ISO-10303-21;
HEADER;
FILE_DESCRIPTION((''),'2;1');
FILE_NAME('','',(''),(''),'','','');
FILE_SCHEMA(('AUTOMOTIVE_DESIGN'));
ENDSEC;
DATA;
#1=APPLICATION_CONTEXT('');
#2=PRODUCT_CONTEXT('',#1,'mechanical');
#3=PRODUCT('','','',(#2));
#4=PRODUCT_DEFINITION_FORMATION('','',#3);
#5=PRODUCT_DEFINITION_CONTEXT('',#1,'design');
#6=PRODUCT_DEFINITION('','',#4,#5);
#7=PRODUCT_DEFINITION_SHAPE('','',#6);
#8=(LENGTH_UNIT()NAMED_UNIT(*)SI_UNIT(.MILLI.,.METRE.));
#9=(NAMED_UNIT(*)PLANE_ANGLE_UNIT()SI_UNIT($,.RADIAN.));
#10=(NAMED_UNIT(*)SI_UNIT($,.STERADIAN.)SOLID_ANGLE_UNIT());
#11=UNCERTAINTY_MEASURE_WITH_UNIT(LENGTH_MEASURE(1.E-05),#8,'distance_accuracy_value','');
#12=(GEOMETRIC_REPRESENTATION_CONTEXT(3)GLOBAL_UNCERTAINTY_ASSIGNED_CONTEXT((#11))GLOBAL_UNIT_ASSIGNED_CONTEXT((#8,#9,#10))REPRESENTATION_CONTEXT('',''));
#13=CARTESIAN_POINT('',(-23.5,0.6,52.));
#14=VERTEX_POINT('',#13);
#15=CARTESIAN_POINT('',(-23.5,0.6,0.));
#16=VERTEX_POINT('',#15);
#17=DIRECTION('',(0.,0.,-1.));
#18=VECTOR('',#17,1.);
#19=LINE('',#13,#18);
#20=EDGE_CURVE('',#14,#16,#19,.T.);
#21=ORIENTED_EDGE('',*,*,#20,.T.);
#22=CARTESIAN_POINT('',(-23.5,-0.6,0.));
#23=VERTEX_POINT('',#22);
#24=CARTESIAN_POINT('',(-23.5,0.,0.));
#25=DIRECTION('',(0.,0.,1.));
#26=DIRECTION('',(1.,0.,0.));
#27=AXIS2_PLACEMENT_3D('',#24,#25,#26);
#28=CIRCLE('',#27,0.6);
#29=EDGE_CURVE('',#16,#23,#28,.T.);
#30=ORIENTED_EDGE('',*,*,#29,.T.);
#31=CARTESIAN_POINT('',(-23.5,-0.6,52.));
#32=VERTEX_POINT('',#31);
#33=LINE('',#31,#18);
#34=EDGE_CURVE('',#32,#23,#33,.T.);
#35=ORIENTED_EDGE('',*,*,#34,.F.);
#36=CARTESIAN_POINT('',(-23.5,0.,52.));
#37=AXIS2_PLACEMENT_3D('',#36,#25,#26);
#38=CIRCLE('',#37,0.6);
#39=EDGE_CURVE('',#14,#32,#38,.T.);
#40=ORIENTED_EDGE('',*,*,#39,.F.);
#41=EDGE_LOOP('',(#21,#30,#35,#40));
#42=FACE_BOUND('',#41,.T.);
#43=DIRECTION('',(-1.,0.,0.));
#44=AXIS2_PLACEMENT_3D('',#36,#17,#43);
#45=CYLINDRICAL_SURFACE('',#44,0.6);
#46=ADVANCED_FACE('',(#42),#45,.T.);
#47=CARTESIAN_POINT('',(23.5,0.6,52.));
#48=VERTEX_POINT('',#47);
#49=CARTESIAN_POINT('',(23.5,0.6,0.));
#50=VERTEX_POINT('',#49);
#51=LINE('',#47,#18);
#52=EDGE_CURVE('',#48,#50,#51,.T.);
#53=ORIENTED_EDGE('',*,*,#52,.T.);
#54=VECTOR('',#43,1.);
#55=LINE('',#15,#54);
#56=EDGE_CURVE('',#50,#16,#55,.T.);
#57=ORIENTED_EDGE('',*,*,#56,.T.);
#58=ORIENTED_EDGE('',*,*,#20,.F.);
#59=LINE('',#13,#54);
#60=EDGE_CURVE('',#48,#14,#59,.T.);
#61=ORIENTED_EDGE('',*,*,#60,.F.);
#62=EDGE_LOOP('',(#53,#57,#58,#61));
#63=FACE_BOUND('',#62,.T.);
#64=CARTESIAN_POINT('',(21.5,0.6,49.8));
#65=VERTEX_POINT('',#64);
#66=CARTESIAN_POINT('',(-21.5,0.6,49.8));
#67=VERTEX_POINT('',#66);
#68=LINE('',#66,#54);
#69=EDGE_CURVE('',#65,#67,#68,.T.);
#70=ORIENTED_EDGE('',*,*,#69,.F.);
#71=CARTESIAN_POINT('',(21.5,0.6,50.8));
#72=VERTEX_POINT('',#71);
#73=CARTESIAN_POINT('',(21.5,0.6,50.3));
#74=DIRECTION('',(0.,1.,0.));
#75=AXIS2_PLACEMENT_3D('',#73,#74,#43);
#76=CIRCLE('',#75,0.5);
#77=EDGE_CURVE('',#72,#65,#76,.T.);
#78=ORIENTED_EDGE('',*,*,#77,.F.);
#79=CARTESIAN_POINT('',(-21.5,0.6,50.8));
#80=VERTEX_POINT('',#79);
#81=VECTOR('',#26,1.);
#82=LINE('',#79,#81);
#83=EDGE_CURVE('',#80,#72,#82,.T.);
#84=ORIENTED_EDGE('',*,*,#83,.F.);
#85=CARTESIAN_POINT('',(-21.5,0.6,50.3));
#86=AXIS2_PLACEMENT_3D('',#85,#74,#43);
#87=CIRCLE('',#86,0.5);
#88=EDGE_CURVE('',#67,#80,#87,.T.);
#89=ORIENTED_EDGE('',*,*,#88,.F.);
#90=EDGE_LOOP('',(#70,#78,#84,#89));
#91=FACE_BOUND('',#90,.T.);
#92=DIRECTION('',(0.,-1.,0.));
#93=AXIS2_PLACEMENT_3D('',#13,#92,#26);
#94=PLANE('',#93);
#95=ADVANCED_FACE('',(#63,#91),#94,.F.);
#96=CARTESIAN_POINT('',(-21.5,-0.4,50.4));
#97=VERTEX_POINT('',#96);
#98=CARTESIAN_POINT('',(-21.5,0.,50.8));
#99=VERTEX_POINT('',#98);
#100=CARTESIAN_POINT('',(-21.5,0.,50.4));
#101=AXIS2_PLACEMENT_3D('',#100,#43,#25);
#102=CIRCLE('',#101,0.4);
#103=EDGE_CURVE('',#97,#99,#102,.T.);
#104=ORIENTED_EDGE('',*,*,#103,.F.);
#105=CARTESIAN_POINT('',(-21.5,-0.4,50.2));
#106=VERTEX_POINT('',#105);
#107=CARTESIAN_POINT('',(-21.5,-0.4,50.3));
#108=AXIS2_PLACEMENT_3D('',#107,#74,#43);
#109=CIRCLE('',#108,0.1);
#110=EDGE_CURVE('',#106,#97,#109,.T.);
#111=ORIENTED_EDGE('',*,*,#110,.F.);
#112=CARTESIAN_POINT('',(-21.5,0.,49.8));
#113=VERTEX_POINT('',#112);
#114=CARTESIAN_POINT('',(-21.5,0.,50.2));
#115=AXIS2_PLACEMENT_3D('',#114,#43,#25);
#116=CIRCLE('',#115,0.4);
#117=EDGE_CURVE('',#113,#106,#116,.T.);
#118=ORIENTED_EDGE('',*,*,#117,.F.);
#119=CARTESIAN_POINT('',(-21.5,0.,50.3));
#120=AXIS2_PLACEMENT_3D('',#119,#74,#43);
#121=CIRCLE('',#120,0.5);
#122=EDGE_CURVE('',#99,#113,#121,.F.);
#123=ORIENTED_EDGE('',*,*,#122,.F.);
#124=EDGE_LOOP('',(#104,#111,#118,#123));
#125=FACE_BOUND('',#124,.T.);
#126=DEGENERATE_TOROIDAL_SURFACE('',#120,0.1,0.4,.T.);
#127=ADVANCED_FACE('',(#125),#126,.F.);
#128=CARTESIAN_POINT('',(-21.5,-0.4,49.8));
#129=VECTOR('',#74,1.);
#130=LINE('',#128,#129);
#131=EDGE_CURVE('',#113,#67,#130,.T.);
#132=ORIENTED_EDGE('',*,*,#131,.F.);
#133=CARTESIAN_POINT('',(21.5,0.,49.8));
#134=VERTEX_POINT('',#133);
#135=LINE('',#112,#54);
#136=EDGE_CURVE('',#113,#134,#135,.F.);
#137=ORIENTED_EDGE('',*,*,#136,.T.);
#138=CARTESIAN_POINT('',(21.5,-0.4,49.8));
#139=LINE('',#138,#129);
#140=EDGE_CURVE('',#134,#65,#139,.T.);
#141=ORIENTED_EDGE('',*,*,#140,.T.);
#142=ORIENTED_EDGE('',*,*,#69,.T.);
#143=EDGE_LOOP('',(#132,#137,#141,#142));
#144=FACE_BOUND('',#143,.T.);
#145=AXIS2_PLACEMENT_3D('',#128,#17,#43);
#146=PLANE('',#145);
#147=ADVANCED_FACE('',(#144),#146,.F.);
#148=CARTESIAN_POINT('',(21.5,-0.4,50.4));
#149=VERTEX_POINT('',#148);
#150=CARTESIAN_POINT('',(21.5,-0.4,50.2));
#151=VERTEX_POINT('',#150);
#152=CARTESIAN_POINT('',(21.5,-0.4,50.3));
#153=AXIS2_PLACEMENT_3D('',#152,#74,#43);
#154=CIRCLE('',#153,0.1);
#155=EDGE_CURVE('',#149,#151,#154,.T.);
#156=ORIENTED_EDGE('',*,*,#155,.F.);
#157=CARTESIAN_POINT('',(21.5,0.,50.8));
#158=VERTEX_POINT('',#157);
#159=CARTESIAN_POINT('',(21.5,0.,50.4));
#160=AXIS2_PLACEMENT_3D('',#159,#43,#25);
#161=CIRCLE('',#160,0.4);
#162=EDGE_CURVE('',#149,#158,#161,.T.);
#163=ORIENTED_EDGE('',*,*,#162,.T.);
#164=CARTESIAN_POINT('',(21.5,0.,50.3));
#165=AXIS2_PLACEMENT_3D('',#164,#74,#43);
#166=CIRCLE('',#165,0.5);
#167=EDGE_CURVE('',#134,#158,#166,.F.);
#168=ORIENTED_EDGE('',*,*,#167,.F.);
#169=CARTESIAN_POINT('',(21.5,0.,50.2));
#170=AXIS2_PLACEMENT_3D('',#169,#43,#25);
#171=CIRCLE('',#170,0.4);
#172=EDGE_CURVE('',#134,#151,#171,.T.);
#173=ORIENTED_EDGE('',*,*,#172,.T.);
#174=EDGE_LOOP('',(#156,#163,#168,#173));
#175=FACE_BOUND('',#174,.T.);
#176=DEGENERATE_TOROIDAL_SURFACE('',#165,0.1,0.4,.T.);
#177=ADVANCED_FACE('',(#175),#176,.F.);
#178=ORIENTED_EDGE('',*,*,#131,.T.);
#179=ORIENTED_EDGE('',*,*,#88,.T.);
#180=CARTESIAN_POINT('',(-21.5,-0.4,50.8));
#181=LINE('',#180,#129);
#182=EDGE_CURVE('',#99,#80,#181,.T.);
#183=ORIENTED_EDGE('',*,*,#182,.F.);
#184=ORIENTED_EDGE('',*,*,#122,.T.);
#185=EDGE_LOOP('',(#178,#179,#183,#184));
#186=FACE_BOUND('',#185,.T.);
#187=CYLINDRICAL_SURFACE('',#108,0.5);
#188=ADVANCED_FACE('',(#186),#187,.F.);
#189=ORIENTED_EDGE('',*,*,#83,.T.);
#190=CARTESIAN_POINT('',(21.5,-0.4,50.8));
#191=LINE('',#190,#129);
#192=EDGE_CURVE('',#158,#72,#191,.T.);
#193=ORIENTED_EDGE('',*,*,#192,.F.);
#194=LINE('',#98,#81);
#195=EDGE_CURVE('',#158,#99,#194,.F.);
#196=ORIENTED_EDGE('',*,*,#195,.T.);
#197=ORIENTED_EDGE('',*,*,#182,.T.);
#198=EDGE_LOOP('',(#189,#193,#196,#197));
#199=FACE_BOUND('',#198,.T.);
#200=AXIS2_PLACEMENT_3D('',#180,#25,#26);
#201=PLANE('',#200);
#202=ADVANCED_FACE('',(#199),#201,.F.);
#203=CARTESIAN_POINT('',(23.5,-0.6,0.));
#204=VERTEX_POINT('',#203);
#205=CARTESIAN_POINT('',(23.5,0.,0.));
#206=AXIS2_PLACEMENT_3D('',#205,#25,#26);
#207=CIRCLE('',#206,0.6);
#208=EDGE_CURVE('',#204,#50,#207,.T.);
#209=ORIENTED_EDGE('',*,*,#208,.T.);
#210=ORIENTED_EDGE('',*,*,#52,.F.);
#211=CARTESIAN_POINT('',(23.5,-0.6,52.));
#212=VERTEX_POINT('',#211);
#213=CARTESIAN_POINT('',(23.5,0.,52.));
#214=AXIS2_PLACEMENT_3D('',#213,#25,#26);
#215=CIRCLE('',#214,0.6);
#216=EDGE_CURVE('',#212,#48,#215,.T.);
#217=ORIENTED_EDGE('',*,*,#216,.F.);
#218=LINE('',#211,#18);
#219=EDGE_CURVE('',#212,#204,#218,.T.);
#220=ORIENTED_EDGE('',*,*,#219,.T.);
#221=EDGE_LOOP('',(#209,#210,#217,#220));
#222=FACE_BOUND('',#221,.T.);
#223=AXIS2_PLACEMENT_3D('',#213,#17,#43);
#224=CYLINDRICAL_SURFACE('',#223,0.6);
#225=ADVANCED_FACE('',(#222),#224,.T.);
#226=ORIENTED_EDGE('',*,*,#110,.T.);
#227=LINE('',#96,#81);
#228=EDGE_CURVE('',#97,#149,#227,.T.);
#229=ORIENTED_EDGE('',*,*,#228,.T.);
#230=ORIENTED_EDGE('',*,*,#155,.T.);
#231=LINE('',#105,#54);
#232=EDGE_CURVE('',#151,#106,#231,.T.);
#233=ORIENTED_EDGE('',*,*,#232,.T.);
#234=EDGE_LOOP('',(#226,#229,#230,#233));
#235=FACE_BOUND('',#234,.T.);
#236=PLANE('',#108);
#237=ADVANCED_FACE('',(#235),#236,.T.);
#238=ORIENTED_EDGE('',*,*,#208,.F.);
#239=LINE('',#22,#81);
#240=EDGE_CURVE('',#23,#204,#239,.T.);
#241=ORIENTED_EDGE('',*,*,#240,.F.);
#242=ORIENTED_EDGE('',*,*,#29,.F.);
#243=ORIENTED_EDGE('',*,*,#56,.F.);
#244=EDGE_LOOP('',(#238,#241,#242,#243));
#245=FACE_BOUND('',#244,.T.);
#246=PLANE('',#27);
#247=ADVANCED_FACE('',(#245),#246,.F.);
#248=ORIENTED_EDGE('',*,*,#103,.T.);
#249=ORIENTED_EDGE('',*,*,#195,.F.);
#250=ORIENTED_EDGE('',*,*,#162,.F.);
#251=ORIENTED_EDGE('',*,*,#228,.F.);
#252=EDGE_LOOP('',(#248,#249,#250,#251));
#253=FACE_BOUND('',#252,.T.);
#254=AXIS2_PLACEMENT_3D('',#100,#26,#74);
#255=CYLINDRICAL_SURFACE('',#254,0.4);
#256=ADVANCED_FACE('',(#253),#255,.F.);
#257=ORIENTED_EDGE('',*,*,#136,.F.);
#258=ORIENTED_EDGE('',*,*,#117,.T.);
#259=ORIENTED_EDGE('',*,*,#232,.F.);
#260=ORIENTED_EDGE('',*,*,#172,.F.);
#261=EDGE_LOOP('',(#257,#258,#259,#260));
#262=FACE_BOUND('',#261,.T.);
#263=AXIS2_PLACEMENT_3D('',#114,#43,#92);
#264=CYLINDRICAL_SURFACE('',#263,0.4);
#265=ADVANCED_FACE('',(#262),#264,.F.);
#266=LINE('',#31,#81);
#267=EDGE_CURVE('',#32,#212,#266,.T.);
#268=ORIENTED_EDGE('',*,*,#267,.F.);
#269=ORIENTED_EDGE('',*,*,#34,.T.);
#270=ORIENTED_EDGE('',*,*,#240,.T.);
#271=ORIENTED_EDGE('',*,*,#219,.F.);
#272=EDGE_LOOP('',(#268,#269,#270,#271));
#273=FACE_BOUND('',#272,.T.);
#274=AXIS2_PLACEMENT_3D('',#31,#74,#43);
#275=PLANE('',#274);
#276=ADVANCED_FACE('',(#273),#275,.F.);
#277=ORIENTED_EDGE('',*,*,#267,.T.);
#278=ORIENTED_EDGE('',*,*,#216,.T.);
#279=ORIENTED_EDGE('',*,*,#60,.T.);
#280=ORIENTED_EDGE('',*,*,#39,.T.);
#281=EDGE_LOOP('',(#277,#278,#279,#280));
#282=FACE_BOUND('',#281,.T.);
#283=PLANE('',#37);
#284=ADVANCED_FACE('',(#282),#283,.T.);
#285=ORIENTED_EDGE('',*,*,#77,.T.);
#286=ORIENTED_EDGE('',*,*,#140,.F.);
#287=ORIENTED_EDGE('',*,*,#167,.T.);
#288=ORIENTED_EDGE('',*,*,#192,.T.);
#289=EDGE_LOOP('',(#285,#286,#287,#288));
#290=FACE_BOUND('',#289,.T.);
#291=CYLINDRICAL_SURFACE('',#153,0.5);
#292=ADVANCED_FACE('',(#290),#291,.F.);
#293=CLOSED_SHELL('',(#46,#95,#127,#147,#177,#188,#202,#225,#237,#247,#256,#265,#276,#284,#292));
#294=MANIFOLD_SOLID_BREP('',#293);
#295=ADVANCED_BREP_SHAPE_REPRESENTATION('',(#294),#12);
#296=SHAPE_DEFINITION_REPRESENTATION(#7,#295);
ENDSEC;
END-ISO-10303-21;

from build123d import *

# Parameters (mm, degrees)
AUFSATZ_LINEAR_AUSTRAGEN1_DEPTH = 52
SCHNITT_LINEAR_AUSTRAGEN1_DEPTH = 1
VERRUNDUNG2_R                   = 0.4


with BuildPart() as part:
    # Skizze1 → Aufsatz-Linear austragen1 (new body)
    with BuildSketch(Plane.XY):
        with BuildLine():
            Line((-23.5, 0.6), (23.5, 0.6))
            ThreePointArc((23.5, 0.6), (24.1, 0), (23.5, -0.6))
            Line((23.5, -0.6), (-23.5, -0.6))
            ThreePointArc((-23.5, -0.6), (-24.1, 0), (-23.5, 0.6))
        make_face()
    extrude(amount=AUFSATZ_LINEAR_AUSTRAGEN1_DEPTH)

    # Skizze2 → Schnitt-Linear austragen1 (cut)
    with BuildSketch(Plane(origin=(0, 0.6, 0), x_dir=(1, 0, 0), z_dir=(0, 1, 0))):
        with BuildLine():
            Line((-21.5, -49.8), (21.5, -49.8))
            ThreePointArc((21.5, -49.8), (22, -50.3), (21.5, -50.8))
            Line((21.5, -50.8), (-21.5, -50.8))
            ThreePointArc((-21.5, -50.8), (-22, -50.3), (-21.5, -49.8))
        make_face()
    extrude(amount=-SCHNITT_LINEAR_AUSTRAGEN1_DEPTH, mode=Mode.SUBTRACT)

    # Verrundung2
    verrundung2_edges = [part.edges().sort_by_distance(p)[0] for p in [
        (-22, -0.4, 50.3),
        (0, -0.4, 49.8),
        (22, -0.4, 50.3),
        (0, -0.4, 50.8),
    ]]
    fillet(verrundung2_edges, radius=VERRUNDUNG2_R)


solid = part.part
